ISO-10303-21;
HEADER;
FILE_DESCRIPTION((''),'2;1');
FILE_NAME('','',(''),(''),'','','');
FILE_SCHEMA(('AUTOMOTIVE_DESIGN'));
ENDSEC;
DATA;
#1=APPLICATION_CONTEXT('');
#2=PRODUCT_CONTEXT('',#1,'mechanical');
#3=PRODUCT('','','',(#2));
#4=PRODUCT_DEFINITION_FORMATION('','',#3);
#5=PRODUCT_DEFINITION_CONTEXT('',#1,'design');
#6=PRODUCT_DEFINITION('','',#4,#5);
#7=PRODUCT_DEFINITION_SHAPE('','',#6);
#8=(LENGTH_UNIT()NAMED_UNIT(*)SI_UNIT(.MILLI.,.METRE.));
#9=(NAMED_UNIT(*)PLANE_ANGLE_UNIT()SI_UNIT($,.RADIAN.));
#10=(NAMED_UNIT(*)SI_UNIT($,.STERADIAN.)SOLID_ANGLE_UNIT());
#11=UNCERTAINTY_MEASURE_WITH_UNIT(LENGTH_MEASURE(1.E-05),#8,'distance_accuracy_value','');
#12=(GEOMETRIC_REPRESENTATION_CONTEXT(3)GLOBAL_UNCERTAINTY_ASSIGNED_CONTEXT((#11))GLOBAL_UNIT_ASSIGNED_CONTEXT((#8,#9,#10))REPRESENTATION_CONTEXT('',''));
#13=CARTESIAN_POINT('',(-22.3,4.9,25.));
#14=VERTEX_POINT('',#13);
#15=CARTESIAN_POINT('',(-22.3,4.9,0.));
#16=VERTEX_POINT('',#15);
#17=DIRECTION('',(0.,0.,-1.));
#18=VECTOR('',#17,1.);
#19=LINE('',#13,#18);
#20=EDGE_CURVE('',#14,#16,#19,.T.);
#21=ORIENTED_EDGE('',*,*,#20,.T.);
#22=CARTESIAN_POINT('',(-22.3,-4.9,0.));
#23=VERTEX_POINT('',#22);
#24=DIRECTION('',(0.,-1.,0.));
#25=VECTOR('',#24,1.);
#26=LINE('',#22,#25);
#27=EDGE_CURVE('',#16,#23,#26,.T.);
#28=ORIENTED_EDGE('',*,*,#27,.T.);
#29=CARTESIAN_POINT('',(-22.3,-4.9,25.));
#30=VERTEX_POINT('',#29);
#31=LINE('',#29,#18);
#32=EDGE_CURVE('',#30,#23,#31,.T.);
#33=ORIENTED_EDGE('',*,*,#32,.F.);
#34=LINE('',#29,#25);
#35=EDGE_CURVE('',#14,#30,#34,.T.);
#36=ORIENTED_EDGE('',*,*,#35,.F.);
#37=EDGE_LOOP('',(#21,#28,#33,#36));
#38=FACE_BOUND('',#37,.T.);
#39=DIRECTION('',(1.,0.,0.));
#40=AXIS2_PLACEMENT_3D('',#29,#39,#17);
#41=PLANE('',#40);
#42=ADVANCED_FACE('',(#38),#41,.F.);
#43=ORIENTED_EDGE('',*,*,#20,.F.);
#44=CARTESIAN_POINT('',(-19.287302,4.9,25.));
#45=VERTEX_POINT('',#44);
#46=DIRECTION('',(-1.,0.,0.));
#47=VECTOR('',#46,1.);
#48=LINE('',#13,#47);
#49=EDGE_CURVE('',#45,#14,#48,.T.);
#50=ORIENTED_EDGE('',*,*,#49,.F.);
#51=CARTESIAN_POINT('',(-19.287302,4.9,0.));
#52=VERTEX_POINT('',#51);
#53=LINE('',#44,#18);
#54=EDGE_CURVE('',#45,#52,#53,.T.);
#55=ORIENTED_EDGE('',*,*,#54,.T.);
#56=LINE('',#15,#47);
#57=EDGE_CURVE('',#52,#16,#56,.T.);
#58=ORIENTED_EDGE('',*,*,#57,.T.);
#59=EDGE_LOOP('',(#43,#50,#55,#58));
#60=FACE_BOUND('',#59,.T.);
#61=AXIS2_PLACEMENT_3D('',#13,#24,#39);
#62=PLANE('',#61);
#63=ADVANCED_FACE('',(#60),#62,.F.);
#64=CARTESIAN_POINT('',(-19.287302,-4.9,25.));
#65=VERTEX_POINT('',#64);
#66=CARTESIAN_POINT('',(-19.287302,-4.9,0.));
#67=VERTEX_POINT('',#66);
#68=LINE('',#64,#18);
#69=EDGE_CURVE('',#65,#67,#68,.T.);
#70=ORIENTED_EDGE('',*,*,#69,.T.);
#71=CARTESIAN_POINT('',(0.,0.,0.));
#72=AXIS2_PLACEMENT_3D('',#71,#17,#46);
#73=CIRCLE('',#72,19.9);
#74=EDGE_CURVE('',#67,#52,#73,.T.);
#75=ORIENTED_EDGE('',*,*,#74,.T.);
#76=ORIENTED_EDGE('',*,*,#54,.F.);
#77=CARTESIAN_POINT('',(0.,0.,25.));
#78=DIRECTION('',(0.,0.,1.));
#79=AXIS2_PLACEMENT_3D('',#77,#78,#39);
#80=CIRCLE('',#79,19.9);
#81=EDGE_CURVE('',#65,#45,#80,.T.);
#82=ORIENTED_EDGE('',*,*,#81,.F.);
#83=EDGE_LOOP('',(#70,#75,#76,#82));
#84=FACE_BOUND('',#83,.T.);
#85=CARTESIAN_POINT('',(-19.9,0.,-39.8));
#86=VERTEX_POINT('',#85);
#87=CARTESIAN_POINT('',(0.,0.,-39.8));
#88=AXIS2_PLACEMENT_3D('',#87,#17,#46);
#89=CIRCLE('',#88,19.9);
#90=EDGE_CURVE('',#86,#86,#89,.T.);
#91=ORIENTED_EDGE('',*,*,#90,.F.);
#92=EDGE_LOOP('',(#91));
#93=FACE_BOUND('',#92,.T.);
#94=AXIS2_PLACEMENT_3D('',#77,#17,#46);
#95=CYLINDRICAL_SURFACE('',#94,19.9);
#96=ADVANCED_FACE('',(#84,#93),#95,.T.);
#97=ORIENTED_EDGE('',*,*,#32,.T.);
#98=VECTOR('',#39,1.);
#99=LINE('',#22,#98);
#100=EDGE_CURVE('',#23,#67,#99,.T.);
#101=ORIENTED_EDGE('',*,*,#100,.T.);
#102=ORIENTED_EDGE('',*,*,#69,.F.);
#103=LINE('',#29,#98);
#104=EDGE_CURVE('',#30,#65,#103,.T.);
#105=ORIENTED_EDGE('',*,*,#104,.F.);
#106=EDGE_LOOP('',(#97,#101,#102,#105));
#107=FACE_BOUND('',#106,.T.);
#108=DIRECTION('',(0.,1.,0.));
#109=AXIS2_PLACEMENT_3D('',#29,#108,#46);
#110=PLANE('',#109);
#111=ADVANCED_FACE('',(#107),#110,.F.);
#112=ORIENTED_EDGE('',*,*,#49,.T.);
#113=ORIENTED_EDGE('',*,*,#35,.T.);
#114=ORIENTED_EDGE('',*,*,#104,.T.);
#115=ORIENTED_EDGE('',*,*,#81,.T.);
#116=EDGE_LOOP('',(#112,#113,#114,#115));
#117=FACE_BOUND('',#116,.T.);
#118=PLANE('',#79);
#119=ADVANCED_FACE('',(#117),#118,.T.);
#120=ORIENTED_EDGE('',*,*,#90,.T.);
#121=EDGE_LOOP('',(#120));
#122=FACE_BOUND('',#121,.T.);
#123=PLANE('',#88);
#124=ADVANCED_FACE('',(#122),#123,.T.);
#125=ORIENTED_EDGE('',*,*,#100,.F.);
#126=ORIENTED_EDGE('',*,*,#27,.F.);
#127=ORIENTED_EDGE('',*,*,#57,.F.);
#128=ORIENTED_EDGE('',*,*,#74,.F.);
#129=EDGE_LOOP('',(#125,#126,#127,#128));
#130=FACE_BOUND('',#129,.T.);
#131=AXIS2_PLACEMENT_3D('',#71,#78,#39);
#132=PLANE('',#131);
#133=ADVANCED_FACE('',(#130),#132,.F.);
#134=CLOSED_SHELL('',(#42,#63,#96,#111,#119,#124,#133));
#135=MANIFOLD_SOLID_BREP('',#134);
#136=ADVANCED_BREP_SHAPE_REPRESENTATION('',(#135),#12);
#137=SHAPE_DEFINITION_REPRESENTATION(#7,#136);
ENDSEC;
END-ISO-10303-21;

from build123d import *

# Parameters (mm, degrees)
BOSS_EXTRUDE1_DEPTH = 25
BOSS_EXTRUDE3_START = 39.8
SKETCH2_R           = 19.9
BOSS_EXTRUDE3_DEPTH = 39.8


with BuildPart() as part:
    # Sketch1 → Boss-Extrude1 (new body)
    with BuildSketch(Plane(origin=(0, 0, 0), x_dir=(0, 1, 0), z_dir=(0, 0, 1))):
        with BuildLine():
            Line((-4.9, 22.3), (4.9, 22.3))
            Line((4.9, 22.3), (4.9, 19.287301522))
            ThreePointArc((4.9, 19.287301522), (0, -19.9), (-4.9, 19.287301522))
            Line((-4.9, 19.287301522), (-4.9, 22.3))
        make_face()
    extrude(amount=BOSS_EXTRUDE1_DEPTH)

    # Sketch2 → Boss-Extrude3 (add)
    with BuildSketch(Plane(origin=(0, 0, 0), x_dir=(1, 0, 0), z_dir=(0, 0, -1)).offset(BOSS_EXTRUDE3_START)):
        with Locations(Location((0, 0, 0), (0, 0, 180))):
            Circle(SKETCH2_R)
    extrude(amount=-BOSS_EXTRUDE3_DEPTH)


solid = part.part
